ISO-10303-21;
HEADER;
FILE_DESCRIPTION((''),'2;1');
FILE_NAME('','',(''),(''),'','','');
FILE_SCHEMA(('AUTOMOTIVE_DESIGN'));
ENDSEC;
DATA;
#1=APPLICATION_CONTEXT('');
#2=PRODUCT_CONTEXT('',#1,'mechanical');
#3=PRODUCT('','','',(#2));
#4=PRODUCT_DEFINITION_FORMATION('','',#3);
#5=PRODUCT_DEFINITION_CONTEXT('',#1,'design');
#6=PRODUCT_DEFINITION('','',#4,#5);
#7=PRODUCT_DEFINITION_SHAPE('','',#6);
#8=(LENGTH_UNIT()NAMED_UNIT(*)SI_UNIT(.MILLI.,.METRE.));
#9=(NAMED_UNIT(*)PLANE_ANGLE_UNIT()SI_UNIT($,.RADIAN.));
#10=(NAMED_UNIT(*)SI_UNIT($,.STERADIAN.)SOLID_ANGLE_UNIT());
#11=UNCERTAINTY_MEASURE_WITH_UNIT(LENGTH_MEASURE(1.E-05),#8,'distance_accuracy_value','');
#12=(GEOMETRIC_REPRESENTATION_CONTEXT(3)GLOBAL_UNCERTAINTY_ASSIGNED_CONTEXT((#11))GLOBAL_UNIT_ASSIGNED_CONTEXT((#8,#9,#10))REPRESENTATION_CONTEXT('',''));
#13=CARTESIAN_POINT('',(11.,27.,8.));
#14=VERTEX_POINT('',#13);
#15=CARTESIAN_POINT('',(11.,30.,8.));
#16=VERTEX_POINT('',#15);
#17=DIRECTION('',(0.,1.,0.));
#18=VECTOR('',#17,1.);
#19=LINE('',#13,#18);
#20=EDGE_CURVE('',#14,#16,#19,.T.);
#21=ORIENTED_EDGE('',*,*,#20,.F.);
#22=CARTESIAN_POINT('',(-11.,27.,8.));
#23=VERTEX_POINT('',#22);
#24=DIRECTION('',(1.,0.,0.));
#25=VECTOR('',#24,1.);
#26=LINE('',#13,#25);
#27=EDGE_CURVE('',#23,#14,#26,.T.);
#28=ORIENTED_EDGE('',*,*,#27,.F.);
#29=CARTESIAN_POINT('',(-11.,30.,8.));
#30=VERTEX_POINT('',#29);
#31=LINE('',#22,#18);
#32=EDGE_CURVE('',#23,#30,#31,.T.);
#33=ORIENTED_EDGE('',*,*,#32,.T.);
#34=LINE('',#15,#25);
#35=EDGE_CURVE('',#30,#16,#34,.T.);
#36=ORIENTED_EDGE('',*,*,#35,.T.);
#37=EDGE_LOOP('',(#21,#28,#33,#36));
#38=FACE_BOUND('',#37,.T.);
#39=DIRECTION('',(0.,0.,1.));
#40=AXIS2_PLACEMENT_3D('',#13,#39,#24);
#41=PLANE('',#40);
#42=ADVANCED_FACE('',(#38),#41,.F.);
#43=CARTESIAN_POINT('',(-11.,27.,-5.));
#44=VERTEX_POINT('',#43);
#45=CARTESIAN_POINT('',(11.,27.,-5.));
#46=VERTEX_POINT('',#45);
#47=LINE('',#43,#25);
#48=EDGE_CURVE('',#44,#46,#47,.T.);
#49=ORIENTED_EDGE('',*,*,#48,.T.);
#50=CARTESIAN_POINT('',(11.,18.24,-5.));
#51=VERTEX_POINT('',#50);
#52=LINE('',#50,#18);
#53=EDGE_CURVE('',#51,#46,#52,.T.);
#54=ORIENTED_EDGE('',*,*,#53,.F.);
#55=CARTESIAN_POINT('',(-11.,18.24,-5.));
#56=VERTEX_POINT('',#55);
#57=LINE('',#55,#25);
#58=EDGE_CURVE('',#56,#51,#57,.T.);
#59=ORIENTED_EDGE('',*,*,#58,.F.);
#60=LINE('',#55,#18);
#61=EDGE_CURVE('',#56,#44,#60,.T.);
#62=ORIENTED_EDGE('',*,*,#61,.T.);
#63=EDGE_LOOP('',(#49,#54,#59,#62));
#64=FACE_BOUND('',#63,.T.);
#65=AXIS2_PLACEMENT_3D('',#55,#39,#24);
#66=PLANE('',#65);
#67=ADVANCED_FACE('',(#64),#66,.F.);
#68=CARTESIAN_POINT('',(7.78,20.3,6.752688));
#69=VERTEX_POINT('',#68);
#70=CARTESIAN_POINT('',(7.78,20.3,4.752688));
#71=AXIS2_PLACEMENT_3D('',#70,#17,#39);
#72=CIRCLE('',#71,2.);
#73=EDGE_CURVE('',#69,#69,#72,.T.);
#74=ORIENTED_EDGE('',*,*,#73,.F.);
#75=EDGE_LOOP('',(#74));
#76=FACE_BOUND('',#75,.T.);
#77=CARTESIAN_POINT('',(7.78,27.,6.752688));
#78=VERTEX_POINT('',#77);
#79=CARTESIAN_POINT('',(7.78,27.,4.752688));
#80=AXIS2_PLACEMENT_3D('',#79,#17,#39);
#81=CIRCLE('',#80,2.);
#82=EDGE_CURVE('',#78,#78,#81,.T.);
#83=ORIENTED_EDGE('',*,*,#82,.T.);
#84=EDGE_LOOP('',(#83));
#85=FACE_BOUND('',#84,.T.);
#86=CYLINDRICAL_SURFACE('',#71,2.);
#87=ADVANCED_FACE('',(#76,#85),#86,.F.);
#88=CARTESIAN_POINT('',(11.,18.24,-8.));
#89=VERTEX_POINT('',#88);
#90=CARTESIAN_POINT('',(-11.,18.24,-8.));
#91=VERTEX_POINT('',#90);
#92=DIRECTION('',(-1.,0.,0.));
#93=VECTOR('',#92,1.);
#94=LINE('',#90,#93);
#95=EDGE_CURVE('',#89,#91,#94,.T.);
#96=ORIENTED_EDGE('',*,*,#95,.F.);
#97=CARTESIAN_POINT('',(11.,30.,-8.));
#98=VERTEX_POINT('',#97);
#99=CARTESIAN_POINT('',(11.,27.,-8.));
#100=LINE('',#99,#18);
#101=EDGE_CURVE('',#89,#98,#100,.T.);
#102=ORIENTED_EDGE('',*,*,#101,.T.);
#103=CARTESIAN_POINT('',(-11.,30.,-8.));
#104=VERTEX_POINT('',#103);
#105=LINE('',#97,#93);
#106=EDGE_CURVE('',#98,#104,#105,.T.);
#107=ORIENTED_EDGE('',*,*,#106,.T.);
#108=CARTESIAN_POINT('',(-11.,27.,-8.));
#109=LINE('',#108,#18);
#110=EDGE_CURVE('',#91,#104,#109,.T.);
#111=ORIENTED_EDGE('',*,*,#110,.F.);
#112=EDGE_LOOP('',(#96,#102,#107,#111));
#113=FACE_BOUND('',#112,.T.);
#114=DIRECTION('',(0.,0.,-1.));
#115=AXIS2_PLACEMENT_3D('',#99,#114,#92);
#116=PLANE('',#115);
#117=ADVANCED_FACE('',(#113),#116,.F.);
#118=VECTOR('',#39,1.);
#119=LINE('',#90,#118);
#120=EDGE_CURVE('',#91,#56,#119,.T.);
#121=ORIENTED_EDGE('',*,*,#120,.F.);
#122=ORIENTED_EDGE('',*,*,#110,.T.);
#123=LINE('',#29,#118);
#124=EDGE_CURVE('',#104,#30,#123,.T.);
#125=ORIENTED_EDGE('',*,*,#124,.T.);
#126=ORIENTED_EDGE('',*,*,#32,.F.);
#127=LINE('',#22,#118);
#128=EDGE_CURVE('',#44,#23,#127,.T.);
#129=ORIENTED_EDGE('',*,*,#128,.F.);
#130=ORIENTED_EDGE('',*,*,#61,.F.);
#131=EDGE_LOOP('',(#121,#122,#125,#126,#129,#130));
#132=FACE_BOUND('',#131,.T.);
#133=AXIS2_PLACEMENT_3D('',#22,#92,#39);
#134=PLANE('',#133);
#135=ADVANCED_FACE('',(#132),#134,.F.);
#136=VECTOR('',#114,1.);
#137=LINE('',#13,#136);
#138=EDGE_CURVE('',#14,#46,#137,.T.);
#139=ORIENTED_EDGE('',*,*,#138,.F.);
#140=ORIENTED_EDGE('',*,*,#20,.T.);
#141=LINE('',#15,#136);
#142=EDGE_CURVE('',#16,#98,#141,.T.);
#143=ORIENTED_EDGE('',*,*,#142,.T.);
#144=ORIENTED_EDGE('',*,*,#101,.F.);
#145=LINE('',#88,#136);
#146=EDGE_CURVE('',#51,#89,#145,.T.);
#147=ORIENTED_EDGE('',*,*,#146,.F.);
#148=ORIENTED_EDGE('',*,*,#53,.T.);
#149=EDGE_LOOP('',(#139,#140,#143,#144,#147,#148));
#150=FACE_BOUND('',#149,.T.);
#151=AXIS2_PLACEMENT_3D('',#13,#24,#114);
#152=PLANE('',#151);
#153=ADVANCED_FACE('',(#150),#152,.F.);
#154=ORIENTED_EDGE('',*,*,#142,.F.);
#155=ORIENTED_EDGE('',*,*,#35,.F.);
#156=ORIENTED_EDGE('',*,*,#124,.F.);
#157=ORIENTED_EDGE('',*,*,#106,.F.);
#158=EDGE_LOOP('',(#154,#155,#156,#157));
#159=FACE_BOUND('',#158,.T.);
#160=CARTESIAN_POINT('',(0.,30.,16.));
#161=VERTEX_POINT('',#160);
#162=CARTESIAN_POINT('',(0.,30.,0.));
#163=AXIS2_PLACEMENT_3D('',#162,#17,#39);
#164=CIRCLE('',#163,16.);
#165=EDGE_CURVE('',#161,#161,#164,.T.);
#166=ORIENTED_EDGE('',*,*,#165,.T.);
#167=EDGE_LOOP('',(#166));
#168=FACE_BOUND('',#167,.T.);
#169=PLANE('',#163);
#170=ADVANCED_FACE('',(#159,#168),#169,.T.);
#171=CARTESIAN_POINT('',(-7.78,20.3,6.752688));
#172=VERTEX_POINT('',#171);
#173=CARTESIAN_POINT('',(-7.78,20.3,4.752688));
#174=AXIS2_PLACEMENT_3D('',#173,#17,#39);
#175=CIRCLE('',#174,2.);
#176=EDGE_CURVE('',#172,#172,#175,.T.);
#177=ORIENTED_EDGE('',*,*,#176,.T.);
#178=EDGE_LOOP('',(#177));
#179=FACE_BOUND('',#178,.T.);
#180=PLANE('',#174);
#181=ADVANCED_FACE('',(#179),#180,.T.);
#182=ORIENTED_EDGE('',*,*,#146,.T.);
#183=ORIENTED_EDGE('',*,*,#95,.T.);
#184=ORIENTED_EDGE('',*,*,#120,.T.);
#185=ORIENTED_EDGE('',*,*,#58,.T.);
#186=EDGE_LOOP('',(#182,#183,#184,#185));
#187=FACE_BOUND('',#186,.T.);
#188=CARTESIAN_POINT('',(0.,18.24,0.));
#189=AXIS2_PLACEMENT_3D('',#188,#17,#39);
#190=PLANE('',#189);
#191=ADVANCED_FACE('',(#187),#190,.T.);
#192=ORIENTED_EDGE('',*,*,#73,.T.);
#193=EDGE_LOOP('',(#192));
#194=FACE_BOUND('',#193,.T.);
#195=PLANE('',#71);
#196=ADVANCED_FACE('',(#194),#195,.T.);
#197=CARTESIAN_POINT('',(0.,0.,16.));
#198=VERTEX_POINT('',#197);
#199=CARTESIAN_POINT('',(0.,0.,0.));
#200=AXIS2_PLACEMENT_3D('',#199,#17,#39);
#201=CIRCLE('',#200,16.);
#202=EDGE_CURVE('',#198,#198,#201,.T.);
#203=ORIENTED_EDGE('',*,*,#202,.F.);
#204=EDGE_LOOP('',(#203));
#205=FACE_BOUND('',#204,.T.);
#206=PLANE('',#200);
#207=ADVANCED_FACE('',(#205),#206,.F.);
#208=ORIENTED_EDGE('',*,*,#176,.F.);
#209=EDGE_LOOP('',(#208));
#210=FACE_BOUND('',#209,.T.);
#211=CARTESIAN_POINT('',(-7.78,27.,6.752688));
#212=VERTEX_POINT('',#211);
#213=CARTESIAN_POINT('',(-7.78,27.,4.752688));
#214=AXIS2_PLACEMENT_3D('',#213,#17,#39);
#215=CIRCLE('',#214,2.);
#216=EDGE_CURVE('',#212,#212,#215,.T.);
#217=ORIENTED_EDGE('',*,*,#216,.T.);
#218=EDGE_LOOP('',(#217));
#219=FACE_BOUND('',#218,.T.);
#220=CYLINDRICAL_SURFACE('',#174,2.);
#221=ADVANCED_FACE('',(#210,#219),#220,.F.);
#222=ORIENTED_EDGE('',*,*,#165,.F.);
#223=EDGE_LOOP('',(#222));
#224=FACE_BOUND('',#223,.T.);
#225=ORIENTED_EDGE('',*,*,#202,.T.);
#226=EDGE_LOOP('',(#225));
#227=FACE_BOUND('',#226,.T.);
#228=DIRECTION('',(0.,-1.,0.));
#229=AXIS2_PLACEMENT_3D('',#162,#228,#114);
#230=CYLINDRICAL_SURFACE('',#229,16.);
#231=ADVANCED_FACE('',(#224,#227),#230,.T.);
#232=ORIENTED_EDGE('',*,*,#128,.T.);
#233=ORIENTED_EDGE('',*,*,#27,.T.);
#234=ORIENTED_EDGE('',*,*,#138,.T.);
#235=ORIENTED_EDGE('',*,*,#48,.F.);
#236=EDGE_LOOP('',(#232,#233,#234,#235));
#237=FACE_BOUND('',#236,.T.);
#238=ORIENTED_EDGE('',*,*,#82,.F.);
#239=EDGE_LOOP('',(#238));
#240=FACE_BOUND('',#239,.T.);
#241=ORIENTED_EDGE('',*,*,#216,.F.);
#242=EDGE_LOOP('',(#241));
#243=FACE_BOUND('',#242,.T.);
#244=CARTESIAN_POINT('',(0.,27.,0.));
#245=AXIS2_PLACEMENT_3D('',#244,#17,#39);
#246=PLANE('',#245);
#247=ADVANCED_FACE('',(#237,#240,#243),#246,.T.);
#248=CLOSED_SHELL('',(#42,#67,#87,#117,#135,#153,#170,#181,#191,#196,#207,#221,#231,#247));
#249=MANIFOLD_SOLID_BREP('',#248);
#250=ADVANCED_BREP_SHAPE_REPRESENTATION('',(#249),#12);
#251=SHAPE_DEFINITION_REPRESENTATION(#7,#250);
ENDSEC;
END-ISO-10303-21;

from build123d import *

# Parameters (mm, degrees)
SKETCH1_R           = 16
BOSS_EXTRUDE1_DEPTH = 30
SKETCH2_W           = 22
SKETCH2_H           = 16
CUT_EXTRUDE1_DEPTH  = 3
SKETCH3_R           = 2
CUT_EXTRUDE2_DEPTH  = 6.7
SKETCH4_W           = 22
SKETCH4_H           = 3
CUT_EXTRUDE3_DEPTH  = 8.76


with BuildPart() as part:
    # Sketch1 → Boss-Extrude1 (new body)
    with BuildSketch(Plane(origin=(0, 0, 0), x_dir=(1, 0, 0), z_dir=(0, 1, 0))):
        with Locations(Location((0, 0, 0), (0, 0, 270))):
            Circle(SKETCH1_R)
    extrude(amount=BOSS_EXTRUDE1_DEPTH)

    # Sketch2 → Cut-Extrude1 (cut)
    with BuildSketch(Plane(origin=(0, 30, 0), x_dir=(1, 0, 0), z_dir=(0, 1, 0))):
        Rectangle(SKETCH2_W, SKETCH2_H)
    extrude(amount=-CUT_EXTRUDE1_DEPTH, mode=Mode.SUBTRACT)

    # Sketch3 → Cut-Extrude2 (cut)
    with BuildSketch(Plane(origin=(0, 27, 0), x_dir=(1, 0, 0), z_dir=(0, 1, 0))):
        with Locations(Location((-7.78, -4.752687539, 0), (0, 0, 270))):
            Circle(SKETCH3_R)
        with Locations(Location((7.78, -4.752687539, 0), (0, 0, 270))):
            Circle(SKETCH3_R)
    extrude(amount=-CUT_EXTRUDE2_DEPTH, mode=Mode.SUBTRACT)

    # Sketch4 → Cut-Extrude3 (cut)
    with BuildSketch(Plane(origin=(0, 27, 0), x_dir=(1, 0, 0), z_dir=(0, 1, 0))):
        with Locations((0, 6.5)):
            Rectangle(SKETCH4_W, SKETCH4_H)
    extrude(amount=-CUT_EXTRUDE3_DEPTH, mode=Mode.SUBTRACT)


solid = part.part
